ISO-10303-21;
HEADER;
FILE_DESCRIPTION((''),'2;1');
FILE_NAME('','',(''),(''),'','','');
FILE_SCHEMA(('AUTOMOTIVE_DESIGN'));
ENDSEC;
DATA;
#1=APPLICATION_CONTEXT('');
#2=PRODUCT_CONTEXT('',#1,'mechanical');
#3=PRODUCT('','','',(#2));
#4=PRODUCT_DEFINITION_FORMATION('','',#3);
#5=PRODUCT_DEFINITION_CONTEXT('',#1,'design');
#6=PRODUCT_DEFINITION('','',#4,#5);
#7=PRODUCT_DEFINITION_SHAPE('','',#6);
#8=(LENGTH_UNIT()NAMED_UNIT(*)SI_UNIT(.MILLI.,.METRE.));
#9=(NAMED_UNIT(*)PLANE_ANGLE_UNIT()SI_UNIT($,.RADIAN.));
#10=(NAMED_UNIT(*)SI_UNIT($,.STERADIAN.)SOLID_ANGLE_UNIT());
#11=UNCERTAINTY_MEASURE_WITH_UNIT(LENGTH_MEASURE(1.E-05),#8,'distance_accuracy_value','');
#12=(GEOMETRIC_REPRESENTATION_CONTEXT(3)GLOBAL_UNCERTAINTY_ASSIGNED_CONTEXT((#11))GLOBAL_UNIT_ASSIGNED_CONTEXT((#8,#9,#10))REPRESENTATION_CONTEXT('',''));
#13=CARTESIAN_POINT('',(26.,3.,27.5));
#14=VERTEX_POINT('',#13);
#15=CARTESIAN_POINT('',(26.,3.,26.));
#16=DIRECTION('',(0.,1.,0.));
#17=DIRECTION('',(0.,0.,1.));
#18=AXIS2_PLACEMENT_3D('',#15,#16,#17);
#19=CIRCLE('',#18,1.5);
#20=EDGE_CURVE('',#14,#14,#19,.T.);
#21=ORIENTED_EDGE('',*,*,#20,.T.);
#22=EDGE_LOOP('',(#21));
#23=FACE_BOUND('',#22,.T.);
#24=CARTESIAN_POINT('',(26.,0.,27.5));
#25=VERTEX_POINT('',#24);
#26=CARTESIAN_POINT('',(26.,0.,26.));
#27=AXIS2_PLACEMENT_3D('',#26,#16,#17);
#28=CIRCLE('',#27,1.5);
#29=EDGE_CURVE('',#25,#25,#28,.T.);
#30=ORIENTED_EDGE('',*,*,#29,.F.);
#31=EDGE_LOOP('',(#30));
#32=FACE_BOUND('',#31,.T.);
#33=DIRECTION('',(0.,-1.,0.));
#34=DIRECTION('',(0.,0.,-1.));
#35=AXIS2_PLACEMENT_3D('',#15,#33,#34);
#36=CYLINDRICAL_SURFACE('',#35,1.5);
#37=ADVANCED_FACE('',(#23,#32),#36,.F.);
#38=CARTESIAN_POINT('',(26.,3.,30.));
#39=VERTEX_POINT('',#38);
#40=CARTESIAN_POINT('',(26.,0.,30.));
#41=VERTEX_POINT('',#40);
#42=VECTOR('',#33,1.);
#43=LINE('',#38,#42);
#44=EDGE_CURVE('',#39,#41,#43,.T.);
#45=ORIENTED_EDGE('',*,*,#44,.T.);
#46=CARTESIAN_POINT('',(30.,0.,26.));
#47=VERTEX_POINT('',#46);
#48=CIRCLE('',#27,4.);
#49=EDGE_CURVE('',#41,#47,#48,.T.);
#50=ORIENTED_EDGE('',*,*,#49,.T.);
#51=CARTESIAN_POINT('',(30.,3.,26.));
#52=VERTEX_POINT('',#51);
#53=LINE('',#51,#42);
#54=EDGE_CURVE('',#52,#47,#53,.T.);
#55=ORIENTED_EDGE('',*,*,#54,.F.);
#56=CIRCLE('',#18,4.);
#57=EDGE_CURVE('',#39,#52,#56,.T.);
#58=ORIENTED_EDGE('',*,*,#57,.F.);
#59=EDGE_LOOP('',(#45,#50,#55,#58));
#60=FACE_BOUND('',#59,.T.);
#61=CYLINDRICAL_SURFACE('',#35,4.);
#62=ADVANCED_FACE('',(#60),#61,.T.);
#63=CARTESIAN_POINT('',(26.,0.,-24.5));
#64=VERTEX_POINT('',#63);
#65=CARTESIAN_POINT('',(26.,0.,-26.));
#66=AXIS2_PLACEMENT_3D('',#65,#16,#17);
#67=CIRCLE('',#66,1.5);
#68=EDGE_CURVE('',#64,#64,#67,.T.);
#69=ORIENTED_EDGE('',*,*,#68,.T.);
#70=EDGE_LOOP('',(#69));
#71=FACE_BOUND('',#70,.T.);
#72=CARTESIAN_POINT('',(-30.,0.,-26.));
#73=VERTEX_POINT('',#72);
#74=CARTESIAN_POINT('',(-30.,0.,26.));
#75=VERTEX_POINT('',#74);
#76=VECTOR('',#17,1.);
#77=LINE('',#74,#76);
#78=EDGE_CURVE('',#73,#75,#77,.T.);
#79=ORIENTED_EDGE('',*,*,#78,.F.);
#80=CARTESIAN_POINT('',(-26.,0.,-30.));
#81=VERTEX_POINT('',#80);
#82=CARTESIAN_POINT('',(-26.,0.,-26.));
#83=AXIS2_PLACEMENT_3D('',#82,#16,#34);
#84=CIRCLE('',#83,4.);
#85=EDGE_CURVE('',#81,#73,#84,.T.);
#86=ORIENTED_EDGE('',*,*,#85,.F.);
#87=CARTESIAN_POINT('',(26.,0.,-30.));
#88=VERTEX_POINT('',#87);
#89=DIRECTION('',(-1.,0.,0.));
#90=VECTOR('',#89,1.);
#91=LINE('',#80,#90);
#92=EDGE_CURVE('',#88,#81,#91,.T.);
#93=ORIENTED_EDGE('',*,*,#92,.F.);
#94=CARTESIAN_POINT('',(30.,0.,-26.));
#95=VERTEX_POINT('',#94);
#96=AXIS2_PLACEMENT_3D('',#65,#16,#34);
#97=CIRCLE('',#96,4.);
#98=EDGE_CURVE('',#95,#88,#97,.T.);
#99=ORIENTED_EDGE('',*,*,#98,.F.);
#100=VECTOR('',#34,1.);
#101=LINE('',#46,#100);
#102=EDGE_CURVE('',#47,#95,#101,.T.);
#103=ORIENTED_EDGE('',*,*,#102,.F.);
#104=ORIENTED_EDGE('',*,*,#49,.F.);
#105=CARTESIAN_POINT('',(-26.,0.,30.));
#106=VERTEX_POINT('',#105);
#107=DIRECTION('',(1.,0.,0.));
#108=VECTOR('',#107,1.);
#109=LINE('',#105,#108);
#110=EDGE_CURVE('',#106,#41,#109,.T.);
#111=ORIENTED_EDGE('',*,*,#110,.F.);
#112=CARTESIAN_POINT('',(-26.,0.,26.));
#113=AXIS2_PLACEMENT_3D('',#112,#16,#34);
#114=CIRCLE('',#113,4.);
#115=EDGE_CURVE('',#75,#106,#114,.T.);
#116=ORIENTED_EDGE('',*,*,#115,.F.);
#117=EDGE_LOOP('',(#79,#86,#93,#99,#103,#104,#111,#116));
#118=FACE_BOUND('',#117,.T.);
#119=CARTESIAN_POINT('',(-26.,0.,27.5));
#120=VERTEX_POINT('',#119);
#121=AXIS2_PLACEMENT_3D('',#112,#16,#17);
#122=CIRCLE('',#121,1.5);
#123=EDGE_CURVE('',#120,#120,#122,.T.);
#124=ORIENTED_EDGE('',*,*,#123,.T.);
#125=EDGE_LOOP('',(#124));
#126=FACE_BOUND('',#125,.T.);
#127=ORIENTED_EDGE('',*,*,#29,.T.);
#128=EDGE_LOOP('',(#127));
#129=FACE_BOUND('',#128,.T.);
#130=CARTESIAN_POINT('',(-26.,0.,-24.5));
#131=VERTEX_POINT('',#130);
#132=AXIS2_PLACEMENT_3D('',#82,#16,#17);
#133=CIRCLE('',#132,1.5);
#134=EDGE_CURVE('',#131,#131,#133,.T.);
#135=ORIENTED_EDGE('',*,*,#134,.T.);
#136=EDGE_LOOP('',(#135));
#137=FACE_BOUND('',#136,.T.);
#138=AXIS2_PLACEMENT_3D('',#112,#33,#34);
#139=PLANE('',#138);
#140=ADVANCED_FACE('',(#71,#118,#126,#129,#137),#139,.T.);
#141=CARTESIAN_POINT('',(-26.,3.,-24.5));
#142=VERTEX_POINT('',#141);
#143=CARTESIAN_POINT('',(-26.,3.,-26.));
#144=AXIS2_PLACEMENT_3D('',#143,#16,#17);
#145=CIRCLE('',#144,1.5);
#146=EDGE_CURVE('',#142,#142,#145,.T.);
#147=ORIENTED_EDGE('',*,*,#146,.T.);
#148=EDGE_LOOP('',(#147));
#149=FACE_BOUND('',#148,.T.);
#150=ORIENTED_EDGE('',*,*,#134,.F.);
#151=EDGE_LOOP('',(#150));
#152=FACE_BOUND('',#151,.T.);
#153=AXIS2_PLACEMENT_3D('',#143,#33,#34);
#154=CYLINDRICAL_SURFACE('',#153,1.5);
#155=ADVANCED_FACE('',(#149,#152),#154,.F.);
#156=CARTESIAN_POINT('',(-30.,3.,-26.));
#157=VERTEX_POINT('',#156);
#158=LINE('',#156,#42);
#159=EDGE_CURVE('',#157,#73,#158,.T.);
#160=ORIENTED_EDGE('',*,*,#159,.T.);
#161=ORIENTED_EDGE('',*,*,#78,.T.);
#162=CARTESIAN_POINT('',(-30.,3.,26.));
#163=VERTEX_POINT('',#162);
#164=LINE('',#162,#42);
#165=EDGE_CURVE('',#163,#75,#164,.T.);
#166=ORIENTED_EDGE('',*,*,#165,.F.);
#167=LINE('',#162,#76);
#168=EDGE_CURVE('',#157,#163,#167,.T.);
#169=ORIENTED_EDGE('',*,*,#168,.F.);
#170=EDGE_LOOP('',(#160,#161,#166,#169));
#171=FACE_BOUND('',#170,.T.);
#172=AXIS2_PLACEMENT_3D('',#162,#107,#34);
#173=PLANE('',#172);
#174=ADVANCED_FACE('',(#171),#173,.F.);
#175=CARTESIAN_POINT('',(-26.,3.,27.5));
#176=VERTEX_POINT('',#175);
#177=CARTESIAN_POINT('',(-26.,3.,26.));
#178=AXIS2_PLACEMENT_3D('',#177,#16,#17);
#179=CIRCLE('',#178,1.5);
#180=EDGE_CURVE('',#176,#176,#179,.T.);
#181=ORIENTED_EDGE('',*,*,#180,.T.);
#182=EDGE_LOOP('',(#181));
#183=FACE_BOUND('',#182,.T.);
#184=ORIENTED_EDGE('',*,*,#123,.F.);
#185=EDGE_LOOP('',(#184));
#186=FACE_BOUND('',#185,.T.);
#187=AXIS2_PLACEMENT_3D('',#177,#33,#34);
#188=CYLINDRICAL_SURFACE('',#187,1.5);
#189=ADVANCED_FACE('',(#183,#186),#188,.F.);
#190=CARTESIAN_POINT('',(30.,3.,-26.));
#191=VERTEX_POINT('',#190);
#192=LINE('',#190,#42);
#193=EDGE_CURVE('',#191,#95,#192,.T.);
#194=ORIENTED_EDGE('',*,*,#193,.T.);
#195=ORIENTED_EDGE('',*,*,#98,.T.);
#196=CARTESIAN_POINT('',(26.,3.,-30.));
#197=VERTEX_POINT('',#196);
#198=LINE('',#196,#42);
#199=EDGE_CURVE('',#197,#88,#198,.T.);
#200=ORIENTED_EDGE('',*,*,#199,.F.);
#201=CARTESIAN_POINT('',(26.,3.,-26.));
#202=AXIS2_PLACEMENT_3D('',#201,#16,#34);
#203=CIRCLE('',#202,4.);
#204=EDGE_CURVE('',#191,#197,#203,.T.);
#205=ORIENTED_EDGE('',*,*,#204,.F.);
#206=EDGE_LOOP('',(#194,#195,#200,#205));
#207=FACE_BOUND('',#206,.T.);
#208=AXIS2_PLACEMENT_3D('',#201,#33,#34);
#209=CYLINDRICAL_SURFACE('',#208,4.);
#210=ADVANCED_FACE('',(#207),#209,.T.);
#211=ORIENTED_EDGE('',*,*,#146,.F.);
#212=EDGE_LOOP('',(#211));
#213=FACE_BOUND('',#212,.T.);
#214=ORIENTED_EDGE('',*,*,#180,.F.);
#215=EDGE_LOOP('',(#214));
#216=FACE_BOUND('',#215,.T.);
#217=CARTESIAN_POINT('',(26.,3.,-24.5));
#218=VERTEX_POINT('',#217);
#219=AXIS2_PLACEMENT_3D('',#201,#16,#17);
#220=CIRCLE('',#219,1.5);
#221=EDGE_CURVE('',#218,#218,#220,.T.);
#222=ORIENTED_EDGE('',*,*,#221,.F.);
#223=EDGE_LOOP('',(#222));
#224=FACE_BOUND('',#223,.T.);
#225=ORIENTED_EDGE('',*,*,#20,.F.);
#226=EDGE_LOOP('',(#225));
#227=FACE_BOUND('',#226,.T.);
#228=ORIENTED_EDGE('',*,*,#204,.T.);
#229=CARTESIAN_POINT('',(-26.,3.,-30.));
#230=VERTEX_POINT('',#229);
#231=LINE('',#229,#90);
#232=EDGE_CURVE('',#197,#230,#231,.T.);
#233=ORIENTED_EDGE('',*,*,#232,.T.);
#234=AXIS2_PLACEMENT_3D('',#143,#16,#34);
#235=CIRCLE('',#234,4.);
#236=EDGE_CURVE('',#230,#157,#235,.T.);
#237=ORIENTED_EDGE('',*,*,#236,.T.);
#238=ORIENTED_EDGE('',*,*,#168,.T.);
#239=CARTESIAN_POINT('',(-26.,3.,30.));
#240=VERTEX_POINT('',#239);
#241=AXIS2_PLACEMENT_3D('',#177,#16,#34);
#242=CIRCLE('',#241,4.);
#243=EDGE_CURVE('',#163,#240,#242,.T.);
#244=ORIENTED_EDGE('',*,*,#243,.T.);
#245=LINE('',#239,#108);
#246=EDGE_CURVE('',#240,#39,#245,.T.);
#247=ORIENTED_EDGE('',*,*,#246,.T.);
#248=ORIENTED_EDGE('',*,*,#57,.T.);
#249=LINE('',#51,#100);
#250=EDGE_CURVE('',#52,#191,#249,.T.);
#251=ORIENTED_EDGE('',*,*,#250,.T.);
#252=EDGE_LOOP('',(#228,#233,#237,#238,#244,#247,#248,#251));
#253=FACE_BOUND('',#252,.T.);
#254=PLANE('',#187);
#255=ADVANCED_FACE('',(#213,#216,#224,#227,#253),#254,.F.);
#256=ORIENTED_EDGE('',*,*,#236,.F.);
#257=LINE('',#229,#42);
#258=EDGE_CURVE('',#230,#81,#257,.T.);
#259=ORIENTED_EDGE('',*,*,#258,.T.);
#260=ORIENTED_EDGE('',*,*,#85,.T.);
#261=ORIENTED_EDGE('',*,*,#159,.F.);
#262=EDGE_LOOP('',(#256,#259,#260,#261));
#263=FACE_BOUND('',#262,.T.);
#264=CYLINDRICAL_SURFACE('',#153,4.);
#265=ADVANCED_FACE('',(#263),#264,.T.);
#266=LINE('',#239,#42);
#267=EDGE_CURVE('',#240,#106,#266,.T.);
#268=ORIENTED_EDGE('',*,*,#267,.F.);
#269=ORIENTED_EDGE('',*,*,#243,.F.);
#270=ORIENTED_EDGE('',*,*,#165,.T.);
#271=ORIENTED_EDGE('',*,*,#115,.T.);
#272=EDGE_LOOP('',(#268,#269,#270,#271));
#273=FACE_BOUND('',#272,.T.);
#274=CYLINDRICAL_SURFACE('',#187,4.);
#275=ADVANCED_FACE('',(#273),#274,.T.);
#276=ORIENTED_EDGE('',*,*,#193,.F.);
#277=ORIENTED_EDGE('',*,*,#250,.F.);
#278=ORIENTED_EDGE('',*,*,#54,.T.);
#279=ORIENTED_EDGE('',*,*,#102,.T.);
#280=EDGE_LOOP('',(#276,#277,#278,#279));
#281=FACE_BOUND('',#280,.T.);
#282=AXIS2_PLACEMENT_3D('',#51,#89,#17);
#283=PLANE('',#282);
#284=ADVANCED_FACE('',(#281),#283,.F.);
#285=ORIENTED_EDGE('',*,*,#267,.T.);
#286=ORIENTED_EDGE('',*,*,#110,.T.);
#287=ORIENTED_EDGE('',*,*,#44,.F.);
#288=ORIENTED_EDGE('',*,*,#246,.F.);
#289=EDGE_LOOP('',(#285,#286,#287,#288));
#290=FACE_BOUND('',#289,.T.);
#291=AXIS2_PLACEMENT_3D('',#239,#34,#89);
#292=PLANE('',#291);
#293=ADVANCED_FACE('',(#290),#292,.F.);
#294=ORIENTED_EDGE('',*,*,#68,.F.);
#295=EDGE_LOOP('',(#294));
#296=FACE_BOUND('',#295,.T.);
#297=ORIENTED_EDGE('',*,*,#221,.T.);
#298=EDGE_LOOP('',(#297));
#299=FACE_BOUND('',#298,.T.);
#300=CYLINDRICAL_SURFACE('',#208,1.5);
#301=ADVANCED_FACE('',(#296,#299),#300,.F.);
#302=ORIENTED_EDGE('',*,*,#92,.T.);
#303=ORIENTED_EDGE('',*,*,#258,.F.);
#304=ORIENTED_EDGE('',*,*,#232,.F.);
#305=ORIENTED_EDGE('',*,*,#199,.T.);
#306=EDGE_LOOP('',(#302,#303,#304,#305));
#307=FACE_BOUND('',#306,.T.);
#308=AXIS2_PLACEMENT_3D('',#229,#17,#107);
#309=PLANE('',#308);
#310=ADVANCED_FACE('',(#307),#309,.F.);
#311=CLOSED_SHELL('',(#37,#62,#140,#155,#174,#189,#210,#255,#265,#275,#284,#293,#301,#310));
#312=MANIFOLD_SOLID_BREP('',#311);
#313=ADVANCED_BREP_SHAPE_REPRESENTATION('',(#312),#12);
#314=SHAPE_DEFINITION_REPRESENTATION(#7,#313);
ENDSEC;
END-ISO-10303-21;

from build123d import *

# Parameters (mm, degrees)
SKETCH_1_R      = 1.5
EXTRUDE_1_DEPTH = 3


with BuildPart() as part:
    # 草图1 → 凸台-拉伸1 (new body)
    with BuildSketch(Plane(origin=(0, 0, 0), x_dir=(1, 0, 0), z_dir=(0, 1, 0))):
        with BuildLine():
            Line((-26, -30), (26, -30))
            ThreePointArc((26, -30), (28.828427125, -28.828427125), (30, -26))
            Line((30, -26), (30, 26))
            ThreePointArc((30, 26), (28.828427125, 28.828427125), (26, 30))
            Line((26, 30), (-26, 30))
            ThreePointArc((-26, 30), (-28.828427125, 28.828427125), (-30, 26))
            Line((-30, 26), (-30, -26))
            ThreePointArc((-30, -26), (-28.828427125, -28.828427125), (-26, -30))
        make_face()
        with Locations(Location((-26, 26, 0), (0, 0, 270))):
            Circle(SKETCH_1_R, mode=Mode.SUBTRACT)
        with Locations(Location((26, 26, 0), (0, 0, 270))):
            Circle(SKETCH_1_R, mode=Mode.SUBTRACT)
        with Locations(Location((26, -26, 0), (0, 0, 270))):
            Circle(SKETCH_1_R, mode=Mode.SUBTRACT)
        with Locations(Location((-26, -26, 0), (0, 0, 270))):
            Circle(SKETCH_1_R, mode=Mode.SUBTRACT)
    extrude(amount=EXTRUDE_1_DEPTH)


solid = part.part
